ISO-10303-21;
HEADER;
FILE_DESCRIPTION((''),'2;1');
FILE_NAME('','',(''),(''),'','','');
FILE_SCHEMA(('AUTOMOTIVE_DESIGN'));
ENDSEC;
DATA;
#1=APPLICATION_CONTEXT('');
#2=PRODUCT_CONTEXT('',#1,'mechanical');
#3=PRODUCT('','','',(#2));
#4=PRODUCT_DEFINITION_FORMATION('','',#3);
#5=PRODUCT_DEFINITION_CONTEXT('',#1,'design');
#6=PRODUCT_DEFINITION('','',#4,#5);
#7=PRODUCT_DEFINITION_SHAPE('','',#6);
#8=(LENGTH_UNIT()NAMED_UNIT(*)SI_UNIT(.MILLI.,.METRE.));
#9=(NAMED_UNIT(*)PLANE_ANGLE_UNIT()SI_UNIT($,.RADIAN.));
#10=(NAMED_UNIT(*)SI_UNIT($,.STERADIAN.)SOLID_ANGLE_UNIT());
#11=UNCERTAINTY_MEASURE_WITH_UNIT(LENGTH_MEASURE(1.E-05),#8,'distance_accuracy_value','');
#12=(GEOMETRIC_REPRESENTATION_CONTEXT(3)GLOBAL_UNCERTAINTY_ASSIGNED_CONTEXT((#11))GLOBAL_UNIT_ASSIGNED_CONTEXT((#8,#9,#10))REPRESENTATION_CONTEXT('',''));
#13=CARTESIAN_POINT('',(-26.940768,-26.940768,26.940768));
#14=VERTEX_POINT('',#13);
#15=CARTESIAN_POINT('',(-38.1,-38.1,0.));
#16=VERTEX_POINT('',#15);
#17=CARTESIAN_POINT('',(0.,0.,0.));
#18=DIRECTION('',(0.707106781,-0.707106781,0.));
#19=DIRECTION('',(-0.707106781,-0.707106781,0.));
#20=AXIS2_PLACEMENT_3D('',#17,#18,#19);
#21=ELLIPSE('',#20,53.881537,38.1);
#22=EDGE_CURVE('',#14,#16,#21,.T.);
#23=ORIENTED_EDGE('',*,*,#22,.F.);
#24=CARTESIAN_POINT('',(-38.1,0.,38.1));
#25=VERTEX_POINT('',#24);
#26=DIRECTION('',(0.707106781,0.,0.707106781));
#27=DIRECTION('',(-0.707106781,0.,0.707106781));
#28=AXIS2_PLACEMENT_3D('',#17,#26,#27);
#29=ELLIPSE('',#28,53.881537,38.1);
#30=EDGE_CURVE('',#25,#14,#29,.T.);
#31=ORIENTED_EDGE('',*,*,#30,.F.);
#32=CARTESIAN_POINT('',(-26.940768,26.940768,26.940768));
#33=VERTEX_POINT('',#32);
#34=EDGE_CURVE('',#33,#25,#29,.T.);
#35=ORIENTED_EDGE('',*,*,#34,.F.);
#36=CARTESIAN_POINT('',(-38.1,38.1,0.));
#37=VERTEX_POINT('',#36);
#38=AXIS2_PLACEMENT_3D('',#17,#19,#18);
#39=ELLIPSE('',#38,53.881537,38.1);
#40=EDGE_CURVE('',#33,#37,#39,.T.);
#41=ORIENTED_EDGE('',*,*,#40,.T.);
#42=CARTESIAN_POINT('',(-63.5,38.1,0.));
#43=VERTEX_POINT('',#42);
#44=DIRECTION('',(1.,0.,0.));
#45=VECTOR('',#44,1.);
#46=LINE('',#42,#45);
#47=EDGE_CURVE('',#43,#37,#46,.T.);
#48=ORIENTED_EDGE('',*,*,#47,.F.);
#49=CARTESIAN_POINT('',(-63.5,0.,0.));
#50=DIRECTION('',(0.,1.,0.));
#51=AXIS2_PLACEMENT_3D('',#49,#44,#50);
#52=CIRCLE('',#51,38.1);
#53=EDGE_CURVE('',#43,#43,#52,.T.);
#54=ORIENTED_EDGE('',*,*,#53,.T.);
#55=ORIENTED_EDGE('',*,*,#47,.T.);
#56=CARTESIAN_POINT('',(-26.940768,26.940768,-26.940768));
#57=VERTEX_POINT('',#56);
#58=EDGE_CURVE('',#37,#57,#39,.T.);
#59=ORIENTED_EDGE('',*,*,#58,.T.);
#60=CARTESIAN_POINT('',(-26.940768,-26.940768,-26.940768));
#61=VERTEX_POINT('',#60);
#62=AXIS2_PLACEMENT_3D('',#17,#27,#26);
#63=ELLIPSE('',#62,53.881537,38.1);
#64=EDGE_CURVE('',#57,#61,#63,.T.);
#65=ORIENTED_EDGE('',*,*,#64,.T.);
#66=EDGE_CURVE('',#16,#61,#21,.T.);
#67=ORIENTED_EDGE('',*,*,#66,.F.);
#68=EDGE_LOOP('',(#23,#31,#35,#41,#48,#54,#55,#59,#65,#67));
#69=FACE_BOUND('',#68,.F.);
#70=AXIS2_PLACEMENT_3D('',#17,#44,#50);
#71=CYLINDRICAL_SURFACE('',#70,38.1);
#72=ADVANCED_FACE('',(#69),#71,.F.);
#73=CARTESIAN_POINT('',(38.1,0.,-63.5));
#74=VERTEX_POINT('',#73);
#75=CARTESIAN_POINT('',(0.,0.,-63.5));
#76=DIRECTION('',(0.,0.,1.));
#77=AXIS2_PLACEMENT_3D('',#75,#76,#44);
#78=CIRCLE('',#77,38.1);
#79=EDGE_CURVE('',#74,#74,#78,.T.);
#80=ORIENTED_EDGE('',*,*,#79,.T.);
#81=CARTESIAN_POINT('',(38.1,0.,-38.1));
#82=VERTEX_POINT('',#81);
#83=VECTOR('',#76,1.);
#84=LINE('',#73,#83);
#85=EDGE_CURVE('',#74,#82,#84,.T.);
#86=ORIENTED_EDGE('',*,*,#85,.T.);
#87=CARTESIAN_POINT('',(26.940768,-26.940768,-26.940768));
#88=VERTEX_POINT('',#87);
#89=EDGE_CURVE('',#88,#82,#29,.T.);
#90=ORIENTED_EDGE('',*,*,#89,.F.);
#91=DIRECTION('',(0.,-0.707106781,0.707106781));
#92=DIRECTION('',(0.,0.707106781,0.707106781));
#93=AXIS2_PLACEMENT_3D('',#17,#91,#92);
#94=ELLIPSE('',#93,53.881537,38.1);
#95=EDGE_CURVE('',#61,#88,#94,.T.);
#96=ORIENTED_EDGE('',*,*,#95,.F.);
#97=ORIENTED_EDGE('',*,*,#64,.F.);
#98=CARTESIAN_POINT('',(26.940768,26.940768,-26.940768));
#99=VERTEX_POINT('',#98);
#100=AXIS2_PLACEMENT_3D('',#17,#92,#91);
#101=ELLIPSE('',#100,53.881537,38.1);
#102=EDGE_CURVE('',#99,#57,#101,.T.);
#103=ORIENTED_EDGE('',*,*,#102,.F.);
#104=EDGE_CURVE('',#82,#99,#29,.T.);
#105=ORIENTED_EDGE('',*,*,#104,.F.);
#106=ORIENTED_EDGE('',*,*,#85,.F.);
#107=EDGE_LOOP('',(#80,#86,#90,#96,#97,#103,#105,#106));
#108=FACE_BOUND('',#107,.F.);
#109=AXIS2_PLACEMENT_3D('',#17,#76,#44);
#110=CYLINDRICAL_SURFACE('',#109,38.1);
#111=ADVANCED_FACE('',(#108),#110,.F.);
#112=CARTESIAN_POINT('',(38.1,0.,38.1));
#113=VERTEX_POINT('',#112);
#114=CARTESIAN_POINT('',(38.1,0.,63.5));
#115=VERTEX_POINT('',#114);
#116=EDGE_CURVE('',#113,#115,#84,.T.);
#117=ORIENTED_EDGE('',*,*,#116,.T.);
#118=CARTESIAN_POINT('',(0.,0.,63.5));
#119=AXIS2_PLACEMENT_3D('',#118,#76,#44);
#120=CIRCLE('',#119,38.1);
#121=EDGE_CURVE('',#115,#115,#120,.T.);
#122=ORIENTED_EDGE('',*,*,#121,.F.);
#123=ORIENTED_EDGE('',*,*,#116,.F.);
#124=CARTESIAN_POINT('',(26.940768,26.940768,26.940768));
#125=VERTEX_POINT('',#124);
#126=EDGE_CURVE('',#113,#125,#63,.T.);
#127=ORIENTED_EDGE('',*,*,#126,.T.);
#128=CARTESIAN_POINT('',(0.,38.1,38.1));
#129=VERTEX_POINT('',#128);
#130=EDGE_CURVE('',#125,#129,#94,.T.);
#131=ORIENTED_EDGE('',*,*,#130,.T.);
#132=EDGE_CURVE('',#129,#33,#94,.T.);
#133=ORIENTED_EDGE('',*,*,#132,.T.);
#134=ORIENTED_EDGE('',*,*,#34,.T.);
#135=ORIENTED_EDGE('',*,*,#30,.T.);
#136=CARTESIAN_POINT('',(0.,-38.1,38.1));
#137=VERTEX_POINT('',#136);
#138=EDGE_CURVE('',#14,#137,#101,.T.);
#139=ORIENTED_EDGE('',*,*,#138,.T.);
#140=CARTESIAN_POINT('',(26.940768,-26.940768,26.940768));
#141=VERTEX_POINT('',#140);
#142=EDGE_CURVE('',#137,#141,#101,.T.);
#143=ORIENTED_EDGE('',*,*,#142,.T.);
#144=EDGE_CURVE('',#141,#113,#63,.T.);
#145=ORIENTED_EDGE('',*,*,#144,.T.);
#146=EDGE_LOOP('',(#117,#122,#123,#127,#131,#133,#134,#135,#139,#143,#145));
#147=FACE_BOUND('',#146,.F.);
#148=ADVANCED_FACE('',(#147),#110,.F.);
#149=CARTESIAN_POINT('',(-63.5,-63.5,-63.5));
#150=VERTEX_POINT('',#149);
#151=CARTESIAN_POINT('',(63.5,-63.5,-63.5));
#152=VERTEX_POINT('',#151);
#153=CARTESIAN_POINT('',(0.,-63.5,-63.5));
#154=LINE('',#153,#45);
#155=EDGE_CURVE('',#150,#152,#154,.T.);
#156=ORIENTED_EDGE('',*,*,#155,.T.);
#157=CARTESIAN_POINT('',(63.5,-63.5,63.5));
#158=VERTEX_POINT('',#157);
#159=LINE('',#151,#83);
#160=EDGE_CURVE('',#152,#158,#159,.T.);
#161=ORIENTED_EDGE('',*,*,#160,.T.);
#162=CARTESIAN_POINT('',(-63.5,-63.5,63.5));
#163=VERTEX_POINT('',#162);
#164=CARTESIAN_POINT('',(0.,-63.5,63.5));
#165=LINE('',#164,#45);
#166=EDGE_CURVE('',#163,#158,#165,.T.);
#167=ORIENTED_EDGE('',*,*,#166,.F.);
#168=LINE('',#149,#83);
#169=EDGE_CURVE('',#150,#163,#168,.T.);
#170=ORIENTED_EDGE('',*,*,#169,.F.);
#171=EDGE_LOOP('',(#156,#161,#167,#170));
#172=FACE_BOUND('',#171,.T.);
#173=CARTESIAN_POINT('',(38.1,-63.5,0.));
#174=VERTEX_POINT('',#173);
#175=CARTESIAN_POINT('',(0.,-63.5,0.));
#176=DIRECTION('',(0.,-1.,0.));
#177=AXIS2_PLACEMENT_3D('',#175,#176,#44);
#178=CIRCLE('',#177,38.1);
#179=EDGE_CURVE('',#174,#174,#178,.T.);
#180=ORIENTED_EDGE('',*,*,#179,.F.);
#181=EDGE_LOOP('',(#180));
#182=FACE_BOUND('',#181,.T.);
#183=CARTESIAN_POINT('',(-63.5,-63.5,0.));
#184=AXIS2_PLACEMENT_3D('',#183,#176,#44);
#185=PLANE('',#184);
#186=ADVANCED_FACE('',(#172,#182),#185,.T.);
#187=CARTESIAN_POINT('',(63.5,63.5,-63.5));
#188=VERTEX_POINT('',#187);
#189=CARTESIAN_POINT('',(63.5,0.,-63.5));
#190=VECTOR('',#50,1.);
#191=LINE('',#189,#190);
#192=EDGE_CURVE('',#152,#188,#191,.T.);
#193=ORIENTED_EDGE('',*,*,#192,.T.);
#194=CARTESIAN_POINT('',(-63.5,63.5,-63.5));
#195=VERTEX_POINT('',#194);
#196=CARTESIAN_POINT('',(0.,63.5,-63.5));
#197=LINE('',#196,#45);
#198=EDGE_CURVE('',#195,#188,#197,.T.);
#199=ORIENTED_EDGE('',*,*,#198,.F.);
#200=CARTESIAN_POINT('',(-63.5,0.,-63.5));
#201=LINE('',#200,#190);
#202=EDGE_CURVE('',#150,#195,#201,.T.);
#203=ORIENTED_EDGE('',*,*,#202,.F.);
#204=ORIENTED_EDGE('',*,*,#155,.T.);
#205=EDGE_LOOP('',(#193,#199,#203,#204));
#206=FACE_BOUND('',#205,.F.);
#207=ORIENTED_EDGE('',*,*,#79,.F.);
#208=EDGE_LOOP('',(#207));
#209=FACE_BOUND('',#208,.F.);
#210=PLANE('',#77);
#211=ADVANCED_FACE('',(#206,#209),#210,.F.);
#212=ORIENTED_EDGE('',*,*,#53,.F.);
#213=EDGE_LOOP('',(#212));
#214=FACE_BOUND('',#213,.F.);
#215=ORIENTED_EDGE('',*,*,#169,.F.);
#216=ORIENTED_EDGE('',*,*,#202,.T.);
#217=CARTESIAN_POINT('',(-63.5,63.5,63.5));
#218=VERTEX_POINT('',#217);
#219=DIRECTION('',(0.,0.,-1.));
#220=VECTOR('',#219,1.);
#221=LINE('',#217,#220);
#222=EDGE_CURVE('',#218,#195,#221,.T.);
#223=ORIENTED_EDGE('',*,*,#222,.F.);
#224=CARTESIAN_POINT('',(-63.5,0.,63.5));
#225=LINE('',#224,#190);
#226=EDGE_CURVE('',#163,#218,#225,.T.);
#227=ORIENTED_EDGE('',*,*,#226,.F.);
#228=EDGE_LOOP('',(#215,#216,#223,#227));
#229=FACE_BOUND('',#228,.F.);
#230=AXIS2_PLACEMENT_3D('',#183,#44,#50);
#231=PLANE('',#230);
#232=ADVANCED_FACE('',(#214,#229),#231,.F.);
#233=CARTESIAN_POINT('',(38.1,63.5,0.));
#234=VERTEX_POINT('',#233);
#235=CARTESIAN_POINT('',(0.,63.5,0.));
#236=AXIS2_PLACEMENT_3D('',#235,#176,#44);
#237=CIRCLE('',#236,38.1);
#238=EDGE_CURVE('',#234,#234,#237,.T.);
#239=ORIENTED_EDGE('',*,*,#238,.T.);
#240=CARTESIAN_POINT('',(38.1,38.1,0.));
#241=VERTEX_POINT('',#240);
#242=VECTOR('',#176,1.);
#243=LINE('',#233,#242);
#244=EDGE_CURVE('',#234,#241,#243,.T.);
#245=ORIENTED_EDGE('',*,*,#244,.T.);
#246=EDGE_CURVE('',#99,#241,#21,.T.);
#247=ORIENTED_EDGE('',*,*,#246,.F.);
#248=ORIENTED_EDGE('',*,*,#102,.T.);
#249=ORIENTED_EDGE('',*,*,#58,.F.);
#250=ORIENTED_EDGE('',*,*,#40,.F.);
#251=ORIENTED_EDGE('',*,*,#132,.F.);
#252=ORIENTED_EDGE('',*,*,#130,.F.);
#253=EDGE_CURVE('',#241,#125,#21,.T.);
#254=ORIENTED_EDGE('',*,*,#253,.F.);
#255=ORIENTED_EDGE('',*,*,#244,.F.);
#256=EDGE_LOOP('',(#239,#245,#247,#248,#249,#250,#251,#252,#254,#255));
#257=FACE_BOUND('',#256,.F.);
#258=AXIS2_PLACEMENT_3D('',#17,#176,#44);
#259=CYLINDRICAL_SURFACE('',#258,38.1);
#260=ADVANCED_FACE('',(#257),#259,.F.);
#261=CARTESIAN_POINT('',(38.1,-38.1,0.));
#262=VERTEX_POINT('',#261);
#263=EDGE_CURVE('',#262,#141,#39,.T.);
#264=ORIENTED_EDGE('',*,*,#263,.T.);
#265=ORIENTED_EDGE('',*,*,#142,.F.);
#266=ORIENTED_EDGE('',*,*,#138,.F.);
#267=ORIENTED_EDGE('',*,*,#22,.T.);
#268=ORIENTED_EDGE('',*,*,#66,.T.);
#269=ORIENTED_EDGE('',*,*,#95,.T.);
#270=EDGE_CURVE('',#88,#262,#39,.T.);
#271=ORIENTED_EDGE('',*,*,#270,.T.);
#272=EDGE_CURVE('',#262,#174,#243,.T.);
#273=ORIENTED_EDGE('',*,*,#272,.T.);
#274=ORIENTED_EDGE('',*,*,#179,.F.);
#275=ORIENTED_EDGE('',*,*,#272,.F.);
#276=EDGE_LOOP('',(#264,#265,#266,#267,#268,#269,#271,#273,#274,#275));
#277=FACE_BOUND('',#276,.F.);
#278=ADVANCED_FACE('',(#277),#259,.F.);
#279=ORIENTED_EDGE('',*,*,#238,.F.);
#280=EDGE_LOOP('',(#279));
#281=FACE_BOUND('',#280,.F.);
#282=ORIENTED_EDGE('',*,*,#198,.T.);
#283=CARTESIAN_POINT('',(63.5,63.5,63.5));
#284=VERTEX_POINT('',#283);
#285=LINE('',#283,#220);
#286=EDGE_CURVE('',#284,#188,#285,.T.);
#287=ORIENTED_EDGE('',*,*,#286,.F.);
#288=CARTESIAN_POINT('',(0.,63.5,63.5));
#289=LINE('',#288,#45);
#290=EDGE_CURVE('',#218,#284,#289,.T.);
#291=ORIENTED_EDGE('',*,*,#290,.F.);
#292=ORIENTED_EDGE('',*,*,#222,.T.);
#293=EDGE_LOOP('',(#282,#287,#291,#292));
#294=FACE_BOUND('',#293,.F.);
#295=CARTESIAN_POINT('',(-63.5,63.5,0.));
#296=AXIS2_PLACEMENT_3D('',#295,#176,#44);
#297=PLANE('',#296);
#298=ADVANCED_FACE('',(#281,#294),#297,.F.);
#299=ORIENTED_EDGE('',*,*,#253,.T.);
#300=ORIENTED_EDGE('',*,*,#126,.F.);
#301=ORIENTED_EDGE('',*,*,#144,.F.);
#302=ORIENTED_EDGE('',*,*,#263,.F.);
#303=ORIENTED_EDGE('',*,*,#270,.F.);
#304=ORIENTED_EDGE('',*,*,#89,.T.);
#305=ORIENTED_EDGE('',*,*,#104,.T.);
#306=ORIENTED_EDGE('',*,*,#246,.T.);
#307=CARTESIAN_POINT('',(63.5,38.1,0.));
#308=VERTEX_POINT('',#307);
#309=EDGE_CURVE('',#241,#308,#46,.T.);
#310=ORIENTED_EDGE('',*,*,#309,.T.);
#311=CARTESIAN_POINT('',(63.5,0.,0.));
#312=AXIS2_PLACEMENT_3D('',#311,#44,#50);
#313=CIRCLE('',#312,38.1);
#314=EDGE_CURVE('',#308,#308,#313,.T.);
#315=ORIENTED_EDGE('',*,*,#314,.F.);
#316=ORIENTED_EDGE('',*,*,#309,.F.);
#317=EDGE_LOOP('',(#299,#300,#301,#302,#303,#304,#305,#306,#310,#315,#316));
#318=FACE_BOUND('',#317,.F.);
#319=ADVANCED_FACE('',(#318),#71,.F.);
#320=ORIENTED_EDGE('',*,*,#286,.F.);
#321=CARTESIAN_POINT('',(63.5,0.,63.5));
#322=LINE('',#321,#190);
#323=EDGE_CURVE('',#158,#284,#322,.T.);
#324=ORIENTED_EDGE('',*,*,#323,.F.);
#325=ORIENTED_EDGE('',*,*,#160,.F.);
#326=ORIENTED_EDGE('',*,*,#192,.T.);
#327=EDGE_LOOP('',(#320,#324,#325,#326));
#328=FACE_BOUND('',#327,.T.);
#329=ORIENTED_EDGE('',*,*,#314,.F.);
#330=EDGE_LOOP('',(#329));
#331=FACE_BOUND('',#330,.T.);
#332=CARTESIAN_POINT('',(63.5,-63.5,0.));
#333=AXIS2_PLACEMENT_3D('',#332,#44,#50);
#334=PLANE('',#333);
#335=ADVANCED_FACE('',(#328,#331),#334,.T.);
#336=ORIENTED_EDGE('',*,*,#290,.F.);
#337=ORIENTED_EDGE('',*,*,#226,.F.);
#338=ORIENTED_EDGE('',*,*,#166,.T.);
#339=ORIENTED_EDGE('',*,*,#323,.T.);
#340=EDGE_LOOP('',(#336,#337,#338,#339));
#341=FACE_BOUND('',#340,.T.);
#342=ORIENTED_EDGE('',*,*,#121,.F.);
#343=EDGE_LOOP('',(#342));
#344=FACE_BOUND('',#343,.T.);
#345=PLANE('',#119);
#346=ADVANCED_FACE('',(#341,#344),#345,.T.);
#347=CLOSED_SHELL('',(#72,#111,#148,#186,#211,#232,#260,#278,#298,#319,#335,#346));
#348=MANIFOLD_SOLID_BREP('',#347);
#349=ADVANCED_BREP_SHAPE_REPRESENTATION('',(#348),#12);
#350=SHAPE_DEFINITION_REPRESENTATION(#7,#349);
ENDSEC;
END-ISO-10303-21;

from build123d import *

# Parameters (mm, degrees)
F0_W     = 127
F0_H     = 127
F1_DEPTH = 63.5
F2_R     = 38.1
F3_DEPTH = 63.5
F4_R     = 38.1
F5_DEPTH = 63.5
F6_R     = 38.1
F7_DEPTH = 63.5


with BuildPart() as f1:
    # F0 (on Top) → F1 (new body, symmetric)
    with BuildSketch(Plane.XY):
        Rectangle(F0_W, F0_H)
    extrude(amount=F1_DEPTH, both=True)

    # F2 (on Top) → F3 (cut, symmetric)
    with BuildSketch(Plane.XY):
        Circle(F2_R)
    extrude(amount=F3_DEPTH, both=True, mode=Mode.SUBTRACT)

    # F4 (on Front) → F5 (cut, symmetric)
    with BuildSketch(Plane.XZ):
        Circle(F4_R)
    extrude(amount=F5_DEPTH, both=True, mode=Mode.SUBTRACT)

    # F6 (on Right) → F7 (cut, symmetric)
    with BuildSketch(Plane.YZ):
        Circle(F6_R)
    extrude(amount=F7_DEPTH, both=True, mode=Mode.SUBTRACT)


solid = f1.part
